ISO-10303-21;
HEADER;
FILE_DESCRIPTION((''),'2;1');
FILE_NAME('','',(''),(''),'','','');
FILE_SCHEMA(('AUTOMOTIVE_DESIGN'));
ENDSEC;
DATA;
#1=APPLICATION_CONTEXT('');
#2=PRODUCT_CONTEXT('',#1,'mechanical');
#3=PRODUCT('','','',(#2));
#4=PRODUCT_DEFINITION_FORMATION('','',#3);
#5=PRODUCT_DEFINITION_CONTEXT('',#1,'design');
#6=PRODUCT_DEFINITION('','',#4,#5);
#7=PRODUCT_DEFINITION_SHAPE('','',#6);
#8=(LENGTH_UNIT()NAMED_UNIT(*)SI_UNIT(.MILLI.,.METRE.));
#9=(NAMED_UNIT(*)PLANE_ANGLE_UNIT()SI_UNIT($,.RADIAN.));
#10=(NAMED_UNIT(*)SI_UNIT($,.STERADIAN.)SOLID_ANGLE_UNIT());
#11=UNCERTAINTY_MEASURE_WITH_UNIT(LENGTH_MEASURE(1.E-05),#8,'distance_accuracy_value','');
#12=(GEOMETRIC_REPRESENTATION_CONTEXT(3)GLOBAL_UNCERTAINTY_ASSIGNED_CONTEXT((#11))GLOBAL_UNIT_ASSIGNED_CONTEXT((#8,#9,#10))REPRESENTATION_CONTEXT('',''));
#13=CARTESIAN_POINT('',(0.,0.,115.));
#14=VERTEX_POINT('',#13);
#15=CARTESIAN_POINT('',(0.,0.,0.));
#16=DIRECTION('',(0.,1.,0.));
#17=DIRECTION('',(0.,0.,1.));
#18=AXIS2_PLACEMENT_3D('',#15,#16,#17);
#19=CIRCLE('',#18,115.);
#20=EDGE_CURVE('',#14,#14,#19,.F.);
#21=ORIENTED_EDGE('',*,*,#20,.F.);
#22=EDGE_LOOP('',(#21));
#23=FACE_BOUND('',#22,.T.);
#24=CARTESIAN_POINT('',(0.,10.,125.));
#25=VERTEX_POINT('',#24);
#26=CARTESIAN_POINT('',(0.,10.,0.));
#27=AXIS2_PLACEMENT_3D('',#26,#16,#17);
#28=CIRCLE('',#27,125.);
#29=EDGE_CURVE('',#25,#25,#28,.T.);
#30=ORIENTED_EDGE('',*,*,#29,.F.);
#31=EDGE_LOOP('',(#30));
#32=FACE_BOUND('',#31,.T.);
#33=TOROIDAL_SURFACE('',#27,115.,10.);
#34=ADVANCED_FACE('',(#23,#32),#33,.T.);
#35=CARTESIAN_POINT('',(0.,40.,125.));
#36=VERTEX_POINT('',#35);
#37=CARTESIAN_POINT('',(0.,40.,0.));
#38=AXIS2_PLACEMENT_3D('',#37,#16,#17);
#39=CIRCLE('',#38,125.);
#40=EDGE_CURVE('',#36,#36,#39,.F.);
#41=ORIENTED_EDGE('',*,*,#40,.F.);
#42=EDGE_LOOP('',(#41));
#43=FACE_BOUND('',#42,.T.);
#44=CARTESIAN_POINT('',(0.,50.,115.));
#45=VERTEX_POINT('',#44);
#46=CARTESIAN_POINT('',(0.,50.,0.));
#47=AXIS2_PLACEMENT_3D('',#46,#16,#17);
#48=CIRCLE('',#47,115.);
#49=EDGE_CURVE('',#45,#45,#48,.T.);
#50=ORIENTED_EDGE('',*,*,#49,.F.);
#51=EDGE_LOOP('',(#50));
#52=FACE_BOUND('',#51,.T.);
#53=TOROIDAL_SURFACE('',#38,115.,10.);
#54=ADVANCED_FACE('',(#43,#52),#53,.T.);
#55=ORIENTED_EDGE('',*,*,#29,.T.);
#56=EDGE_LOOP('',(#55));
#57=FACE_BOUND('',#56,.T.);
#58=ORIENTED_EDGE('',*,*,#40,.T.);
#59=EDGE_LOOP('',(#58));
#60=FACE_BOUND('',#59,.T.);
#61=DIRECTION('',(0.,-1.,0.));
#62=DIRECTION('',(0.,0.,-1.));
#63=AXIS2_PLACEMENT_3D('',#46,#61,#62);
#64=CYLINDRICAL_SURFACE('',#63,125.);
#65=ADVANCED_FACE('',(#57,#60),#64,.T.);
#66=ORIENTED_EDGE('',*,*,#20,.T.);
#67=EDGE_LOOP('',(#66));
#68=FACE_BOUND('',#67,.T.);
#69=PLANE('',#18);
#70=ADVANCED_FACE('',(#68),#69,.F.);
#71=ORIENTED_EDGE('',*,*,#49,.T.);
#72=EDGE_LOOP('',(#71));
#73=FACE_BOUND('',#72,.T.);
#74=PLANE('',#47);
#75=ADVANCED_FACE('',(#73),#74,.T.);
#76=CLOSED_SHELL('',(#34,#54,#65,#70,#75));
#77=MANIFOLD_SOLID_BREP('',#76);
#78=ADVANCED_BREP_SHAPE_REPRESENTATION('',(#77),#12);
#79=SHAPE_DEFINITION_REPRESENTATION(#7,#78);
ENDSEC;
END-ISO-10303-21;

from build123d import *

# Parameters (mm, degrees)
CROQUIS1_R              = 125
SALIENTE_EXTRUIR1_DEPTH = 50
REDONDEO2_R             = 10


with BuildPart() as part:
    # Croquis1 → Saliente-Extruir1 (new body)
    with BuildSketch(Plane(origin=(0, 0, 0), x_dir=(1, 0, 0), z_dir=(0, 1, 0))):
        with Locations(Location((0, 0, 0), (0, 0, 270))):
            Circle(CROQUIS1_R)
    extrude(amount=SALIENTE_EXTRUIR1_DEPTH)

    # Redondeo2
    redondeo2_edges = [part.edges().sort_by_distance(p)[0] for p in [
        (0, 0, -125),
        (0, 50, -125),
    ]]
    fillet(redondeo2_edges, radius=REDONDEO2_R)


solid = part.part
